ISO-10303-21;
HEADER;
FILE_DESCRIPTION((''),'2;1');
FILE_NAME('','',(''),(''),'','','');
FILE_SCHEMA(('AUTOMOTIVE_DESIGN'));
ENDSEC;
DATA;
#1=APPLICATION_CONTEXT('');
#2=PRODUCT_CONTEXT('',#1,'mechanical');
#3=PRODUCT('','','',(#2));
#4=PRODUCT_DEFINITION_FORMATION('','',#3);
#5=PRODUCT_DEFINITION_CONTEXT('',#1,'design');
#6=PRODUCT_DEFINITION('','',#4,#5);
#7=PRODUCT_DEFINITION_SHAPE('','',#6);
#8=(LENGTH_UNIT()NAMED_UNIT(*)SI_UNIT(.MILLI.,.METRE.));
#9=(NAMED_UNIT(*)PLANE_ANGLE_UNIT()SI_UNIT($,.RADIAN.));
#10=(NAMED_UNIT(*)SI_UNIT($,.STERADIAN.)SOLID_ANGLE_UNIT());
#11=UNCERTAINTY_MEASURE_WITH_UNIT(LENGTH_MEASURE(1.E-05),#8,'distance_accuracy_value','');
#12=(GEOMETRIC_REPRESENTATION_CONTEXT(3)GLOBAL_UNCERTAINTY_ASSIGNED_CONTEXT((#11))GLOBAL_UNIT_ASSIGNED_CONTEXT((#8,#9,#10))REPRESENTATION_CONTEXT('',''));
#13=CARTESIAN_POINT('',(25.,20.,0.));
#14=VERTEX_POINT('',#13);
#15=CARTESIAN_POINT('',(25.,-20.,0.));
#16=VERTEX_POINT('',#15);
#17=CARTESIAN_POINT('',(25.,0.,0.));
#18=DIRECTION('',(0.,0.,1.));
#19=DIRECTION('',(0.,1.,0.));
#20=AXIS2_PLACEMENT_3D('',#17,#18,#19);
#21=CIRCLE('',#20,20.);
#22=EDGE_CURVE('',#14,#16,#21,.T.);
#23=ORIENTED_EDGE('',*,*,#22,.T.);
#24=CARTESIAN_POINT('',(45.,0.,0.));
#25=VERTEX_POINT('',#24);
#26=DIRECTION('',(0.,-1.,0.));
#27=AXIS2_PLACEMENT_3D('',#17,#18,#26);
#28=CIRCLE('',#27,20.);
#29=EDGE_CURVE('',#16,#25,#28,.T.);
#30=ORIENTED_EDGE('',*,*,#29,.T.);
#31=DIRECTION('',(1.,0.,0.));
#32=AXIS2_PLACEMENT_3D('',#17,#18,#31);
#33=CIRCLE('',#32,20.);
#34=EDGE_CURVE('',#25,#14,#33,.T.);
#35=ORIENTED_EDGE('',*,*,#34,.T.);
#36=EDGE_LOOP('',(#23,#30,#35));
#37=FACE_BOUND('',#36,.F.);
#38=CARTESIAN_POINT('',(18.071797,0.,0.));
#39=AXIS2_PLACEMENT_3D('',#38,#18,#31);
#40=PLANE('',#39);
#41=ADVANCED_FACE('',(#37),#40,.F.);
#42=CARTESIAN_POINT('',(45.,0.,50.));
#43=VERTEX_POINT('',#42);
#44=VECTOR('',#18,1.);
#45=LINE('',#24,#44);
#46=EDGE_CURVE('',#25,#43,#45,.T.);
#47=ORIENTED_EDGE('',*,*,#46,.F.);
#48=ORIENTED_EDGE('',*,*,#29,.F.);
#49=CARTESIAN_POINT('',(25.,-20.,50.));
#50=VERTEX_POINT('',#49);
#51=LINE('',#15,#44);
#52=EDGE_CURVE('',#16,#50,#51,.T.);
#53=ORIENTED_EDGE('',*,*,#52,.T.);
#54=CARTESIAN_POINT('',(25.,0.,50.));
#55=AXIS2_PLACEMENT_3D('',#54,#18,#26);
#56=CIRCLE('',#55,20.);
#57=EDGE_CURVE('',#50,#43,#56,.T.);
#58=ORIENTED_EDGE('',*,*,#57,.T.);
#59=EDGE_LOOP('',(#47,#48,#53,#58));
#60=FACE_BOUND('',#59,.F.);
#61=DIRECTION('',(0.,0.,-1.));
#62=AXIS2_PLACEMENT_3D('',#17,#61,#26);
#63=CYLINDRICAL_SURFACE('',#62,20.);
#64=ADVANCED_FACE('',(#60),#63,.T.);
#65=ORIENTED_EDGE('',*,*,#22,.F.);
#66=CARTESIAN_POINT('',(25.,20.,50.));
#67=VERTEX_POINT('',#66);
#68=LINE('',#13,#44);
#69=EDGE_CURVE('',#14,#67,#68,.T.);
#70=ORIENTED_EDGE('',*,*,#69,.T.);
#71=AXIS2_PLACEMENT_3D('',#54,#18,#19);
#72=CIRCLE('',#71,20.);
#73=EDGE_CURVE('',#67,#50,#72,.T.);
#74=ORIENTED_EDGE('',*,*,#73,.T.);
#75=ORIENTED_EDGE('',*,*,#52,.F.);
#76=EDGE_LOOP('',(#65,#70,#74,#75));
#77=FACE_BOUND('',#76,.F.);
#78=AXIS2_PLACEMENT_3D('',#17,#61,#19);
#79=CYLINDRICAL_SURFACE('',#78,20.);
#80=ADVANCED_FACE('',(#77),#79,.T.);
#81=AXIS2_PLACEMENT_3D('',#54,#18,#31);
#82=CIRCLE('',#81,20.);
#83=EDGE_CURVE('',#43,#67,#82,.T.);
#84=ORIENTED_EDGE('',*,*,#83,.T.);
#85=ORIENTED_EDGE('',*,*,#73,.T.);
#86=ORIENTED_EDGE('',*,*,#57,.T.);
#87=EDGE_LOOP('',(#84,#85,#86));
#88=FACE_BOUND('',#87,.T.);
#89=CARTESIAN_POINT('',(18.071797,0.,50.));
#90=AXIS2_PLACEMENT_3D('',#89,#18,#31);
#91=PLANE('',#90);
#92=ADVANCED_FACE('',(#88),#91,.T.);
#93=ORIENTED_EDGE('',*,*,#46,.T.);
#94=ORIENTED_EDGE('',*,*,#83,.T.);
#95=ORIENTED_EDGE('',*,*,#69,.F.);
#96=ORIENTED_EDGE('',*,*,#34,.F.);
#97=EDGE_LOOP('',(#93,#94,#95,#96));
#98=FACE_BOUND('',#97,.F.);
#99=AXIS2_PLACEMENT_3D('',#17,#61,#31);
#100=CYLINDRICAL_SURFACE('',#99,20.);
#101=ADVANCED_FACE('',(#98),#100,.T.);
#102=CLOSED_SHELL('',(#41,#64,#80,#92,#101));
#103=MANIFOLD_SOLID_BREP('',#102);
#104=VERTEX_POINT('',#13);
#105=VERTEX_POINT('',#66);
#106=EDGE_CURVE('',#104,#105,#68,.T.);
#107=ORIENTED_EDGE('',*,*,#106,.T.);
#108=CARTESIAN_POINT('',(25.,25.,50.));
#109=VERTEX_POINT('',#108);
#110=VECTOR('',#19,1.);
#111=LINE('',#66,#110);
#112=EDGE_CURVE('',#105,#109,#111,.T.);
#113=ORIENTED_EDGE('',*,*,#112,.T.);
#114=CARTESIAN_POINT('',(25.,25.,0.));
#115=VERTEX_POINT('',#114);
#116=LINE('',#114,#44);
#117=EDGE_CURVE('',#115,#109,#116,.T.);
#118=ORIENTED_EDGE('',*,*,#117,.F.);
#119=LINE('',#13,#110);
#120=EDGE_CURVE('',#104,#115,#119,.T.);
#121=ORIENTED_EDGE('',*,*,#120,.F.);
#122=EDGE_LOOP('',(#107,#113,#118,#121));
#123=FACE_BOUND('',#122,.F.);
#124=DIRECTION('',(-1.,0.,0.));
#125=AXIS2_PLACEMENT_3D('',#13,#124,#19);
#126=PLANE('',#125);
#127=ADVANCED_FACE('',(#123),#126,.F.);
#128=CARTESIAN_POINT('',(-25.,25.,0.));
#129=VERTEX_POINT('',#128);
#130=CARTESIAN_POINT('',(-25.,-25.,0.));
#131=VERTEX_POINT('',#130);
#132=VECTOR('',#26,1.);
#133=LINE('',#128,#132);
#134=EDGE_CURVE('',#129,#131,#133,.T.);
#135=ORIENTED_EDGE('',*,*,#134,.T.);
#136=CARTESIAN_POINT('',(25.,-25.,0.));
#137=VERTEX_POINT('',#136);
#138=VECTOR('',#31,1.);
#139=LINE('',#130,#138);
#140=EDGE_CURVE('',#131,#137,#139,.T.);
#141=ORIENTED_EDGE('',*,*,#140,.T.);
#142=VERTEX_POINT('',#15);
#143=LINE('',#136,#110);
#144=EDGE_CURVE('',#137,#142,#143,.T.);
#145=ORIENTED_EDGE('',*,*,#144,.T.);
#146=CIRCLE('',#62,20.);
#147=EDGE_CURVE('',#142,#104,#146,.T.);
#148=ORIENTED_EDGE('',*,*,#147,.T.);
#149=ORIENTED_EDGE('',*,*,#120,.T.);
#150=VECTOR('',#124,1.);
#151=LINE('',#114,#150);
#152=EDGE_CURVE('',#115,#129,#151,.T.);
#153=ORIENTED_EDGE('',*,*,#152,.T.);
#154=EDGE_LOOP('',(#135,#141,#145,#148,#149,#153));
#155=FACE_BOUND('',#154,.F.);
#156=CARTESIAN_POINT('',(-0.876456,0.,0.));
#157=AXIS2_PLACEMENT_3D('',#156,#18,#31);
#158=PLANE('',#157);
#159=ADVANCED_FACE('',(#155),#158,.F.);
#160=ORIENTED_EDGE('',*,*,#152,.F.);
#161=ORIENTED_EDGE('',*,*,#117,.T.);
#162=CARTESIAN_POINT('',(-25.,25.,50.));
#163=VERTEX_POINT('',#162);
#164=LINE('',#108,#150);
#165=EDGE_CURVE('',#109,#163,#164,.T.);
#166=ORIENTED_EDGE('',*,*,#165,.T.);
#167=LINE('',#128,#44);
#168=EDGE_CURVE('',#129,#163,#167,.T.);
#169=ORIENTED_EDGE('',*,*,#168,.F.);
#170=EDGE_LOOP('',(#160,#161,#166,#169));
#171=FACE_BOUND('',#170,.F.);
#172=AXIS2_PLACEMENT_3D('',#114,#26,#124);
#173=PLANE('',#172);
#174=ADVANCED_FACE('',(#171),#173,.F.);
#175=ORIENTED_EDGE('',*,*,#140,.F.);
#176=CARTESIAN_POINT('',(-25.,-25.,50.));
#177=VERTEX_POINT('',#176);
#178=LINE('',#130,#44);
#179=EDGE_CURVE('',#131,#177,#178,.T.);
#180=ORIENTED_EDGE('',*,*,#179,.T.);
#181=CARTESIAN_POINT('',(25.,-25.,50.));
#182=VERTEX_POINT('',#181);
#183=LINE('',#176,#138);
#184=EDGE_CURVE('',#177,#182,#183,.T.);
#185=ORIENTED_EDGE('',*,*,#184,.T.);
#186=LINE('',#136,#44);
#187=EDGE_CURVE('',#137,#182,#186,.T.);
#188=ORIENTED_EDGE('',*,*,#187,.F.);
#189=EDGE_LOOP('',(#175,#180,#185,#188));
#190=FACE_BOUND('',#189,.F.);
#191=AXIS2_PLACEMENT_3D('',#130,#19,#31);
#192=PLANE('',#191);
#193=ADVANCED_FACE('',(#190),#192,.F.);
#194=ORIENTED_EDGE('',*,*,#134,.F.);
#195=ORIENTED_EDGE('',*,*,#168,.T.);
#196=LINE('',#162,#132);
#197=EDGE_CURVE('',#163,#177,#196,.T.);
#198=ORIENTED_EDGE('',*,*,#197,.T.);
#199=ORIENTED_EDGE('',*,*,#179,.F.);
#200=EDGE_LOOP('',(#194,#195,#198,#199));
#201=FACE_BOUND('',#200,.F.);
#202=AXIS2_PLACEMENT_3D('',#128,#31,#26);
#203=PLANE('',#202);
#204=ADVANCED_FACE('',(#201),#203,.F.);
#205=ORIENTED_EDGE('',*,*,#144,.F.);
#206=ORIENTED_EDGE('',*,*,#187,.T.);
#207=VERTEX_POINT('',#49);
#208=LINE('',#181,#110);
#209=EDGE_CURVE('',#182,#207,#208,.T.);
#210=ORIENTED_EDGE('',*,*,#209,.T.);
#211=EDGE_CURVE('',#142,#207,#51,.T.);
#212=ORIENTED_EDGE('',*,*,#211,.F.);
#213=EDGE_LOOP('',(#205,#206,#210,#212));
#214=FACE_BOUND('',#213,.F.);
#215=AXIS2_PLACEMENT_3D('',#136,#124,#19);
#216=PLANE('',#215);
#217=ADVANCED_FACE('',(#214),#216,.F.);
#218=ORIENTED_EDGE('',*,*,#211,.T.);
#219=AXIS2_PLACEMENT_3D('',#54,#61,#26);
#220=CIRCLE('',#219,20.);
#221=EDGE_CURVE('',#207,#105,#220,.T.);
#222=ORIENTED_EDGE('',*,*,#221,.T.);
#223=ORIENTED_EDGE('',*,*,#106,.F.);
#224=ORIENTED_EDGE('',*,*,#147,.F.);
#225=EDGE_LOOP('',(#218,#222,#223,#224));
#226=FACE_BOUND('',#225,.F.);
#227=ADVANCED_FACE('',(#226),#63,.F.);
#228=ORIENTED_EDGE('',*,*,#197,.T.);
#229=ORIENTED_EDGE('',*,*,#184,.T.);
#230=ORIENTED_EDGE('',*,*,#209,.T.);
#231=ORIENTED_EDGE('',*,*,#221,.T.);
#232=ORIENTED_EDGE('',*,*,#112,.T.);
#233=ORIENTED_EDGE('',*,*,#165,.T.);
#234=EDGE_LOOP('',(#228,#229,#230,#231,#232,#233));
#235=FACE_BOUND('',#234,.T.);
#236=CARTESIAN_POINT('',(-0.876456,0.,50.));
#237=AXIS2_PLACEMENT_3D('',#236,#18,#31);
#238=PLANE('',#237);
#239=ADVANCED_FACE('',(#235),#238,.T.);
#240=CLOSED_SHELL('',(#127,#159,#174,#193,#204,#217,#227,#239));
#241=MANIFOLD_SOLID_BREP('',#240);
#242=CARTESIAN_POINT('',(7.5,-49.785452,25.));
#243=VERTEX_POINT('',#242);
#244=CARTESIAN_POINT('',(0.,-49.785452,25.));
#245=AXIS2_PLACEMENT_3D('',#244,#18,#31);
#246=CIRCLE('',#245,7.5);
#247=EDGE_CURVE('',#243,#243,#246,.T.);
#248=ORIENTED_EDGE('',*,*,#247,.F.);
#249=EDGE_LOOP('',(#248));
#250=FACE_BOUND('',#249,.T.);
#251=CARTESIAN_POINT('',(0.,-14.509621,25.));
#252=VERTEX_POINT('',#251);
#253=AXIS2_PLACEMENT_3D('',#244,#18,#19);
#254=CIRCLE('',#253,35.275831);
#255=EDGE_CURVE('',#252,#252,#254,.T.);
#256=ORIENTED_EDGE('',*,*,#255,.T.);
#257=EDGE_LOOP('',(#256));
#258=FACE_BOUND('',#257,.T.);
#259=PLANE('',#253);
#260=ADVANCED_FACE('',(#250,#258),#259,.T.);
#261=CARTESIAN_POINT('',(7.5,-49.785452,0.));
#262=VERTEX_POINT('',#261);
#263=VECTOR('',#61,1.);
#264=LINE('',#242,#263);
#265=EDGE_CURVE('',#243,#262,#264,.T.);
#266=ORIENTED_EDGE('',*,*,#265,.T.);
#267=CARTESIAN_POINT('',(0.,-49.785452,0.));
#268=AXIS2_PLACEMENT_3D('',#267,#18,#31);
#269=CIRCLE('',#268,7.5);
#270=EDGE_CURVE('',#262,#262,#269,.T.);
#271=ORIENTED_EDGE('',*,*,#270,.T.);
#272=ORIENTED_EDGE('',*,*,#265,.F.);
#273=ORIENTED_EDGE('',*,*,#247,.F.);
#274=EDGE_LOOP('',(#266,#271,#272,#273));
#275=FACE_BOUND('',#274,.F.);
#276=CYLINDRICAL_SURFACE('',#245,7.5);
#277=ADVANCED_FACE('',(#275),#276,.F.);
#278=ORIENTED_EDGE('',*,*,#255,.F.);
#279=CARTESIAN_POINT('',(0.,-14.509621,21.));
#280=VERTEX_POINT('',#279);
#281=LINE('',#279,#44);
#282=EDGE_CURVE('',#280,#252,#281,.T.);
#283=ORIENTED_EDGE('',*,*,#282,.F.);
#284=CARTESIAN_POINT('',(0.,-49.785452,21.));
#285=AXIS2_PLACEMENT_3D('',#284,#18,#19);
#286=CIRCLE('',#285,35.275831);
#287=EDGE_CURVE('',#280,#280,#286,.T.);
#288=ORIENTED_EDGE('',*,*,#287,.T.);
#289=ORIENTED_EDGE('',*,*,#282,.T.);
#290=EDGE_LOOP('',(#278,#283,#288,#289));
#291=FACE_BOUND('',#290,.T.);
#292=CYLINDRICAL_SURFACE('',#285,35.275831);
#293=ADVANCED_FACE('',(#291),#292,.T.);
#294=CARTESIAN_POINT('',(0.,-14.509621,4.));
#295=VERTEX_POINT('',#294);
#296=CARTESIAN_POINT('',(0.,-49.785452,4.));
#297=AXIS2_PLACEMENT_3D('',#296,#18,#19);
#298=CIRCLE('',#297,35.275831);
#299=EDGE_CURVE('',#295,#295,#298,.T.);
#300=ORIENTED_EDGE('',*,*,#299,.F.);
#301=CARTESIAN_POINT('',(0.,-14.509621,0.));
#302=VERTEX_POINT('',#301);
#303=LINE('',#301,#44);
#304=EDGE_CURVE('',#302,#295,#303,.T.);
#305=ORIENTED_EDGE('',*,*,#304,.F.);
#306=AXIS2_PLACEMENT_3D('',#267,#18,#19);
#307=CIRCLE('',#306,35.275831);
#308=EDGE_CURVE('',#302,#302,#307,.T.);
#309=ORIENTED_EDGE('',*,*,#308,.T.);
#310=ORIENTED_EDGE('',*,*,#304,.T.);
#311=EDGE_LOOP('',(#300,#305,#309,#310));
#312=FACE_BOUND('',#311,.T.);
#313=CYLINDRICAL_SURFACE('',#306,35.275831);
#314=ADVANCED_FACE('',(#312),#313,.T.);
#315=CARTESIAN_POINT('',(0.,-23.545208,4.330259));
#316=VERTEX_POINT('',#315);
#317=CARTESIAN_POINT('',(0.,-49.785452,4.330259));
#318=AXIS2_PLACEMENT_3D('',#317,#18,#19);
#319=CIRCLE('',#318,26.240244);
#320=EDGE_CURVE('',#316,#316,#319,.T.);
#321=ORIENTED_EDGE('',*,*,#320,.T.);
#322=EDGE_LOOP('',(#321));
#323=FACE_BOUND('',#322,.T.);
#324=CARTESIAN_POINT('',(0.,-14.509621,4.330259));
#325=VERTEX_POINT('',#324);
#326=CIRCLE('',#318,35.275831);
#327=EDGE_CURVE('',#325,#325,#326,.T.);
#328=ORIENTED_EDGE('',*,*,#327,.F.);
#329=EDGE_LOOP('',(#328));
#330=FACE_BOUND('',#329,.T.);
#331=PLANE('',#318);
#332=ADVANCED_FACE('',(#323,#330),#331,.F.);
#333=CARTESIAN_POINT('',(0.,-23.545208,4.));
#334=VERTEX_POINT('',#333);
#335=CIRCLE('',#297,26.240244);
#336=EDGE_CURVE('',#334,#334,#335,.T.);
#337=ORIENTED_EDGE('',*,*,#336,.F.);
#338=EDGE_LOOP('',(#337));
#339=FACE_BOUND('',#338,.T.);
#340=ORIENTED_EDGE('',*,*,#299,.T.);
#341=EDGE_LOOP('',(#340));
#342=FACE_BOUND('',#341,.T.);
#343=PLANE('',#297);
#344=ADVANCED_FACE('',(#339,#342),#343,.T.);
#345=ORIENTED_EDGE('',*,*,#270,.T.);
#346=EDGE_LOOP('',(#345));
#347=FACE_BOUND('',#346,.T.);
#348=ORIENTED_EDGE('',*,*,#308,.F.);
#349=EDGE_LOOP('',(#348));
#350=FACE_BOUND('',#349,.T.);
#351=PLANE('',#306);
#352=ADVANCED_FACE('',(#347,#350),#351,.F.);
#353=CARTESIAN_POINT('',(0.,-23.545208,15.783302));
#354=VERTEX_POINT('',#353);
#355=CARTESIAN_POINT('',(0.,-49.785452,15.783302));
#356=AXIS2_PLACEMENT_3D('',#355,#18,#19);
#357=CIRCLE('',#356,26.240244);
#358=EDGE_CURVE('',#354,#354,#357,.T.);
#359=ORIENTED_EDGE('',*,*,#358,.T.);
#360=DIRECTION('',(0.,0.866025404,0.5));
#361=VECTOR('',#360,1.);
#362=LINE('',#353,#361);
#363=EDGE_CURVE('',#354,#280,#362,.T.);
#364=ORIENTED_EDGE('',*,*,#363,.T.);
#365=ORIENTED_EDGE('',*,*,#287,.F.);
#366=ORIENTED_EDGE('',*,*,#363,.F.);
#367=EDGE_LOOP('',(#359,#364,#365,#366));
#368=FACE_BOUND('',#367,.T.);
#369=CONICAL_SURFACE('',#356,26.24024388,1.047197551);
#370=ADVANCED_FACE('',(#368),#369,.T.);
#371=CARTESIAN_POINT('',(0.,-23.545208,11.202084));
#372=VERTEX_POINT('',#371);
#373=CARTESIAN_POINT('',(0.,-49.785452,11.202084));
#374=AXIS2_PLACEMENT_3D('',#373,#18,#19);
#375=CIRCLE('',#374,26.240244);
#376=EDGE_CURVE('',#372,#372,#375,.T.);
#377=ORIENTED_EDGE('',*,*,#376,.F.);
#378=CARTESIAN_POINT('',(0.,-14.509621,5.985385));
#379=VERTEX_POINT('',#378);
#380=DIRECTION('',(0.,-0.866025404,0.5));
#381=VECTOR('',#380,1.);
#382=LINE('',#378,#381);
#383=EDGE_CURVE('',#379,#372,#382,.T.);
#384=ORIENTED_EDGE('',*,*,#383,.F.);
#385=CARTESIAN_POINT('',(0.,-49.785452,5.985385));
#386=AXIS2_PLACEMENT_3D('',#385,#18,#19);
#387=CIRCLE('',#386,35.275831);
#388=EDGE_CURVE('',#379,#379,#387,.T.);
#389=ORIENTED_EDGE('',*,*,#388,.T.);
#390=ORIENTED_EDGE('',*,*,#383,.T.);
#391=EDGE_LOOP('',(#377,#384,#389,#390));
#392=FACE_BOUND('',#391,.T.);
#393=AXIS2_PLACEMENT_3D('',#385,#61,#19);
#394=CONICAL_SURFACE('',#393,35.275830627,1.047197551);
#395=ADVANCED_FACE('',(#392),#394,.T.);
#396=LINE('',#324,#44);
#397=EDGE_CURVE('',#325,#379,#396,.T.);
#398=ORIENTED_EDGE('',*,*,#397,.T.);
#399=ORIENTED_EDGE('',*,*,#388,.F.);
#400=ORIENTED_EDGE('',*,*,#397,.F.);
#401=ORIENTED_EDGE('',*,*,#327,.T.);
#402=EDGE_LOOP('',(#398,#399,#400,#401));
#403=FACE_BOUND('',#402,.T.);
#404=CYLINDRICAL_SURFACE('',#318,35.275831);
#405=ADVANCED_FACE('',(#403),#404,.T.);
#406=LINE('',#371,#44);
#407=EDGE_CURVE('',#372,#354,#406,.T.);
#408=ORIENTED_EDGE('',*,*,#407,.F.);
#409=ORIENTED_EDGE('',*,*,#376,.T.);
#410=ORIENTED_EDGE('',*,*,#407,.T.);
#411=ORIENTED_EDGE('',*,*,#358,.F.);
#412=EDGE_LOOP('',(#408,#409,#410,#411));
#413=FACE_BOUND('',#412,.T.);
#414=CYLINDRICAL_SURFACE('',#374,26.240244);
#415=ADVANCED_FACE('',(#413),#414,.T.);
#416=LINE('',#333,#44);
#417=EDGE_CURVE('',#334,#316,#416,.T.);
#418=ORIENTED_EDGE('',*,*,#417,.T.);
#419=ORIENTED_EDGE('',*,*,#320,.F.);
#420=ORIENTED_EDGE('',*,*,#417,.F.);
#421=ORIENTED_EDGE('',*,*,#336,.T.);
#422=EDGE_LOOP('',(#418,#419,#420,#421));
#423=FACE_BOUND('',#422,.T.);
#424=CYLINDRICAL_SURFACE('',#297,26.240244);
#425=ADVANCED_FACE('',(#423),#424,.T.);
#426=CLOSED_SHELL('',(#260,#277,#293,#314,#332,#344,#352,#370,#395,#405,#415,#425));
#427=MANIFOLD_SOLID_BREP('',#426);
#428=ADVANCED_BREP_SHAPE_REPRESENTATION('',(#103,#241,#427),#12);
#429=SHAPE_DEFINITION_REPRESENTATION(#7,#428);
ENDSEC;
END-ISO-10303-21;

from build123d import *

# Parameters (mm, degrees)
F1_DEPTH = 50
F2_DEPTH = 50
F5_R     = 7.5
F6_DEPTH = 25.001


with BuildPart() as f1:
    # F0 (on Top) → F1 (new body)
    with BuildSketch(Plane.XY):
        with BuildLine():
            Line((25, 25), (-25, 25))
            Line((-25, 25), (-25, -25))
            Line((-25, -25), (25, -25))
            Line((25, -25), (25, -20))
            ThreePointArc((25, -20), (5, 0), (25, 20))
            Line((25, 20), (25, 25))
        make_face()
    extrude(amount=F1_DEPTH)


with BuildPart() as f2:
    # F0 (on Top) → F2 (new body)
    with BuildSketch(Plane.XY):
        with BuildLine():
            Line((25, -20), (25, 20))
            ThreePointArc((25, 20), (5, 0), (25, -20))
        make_face()
        with BuildLine():
            ThreePointArc((45, 0), (39.1421356237, 14.1421356237), (25, 20))
            Line((25, 20), (25, -20))
            ThreePointArc((25, -20), (39.1421356237, -14.1421356237), (45, 0))
        make_face()
    extrude(amount=F2_DEPTH)


with BuildPart() as f4:
    # F3 (on Right) → F4 (revolve)
    with BuildSketch(Plane.YZ):
        Polygon((-49.78545174, 0), (-14.5096211135, 0), (-14.5096211135, 4), (-23.5452078595, 4), (-23.5452078595, 4.3302592875), (-14.5096211135, 4.3302592875), (-14.5096211135, 5.9853854659), (-23.5452078595, 11.2020839059), (-23.5452078595, 15.78330156), (-14.5096211135, 21), (-14.5096211135, 25), (-49.78545174, 25), align=None)
    revolve(axis=Axis((0, -49.78545174, 12.5), (0, 0, 1)))

    # F5 (on face) → F6 (cut, through all)
    with BuildSketch(Plane.XY.offset(25)):
        with Locations((0, -49.78545174)):
            Circle(F5_R)
    extrude(amount=-F6_DEPTH, mode=Mode.SUBTRACT)


solid = Compound([f1.part, f2.part, f4.part])
